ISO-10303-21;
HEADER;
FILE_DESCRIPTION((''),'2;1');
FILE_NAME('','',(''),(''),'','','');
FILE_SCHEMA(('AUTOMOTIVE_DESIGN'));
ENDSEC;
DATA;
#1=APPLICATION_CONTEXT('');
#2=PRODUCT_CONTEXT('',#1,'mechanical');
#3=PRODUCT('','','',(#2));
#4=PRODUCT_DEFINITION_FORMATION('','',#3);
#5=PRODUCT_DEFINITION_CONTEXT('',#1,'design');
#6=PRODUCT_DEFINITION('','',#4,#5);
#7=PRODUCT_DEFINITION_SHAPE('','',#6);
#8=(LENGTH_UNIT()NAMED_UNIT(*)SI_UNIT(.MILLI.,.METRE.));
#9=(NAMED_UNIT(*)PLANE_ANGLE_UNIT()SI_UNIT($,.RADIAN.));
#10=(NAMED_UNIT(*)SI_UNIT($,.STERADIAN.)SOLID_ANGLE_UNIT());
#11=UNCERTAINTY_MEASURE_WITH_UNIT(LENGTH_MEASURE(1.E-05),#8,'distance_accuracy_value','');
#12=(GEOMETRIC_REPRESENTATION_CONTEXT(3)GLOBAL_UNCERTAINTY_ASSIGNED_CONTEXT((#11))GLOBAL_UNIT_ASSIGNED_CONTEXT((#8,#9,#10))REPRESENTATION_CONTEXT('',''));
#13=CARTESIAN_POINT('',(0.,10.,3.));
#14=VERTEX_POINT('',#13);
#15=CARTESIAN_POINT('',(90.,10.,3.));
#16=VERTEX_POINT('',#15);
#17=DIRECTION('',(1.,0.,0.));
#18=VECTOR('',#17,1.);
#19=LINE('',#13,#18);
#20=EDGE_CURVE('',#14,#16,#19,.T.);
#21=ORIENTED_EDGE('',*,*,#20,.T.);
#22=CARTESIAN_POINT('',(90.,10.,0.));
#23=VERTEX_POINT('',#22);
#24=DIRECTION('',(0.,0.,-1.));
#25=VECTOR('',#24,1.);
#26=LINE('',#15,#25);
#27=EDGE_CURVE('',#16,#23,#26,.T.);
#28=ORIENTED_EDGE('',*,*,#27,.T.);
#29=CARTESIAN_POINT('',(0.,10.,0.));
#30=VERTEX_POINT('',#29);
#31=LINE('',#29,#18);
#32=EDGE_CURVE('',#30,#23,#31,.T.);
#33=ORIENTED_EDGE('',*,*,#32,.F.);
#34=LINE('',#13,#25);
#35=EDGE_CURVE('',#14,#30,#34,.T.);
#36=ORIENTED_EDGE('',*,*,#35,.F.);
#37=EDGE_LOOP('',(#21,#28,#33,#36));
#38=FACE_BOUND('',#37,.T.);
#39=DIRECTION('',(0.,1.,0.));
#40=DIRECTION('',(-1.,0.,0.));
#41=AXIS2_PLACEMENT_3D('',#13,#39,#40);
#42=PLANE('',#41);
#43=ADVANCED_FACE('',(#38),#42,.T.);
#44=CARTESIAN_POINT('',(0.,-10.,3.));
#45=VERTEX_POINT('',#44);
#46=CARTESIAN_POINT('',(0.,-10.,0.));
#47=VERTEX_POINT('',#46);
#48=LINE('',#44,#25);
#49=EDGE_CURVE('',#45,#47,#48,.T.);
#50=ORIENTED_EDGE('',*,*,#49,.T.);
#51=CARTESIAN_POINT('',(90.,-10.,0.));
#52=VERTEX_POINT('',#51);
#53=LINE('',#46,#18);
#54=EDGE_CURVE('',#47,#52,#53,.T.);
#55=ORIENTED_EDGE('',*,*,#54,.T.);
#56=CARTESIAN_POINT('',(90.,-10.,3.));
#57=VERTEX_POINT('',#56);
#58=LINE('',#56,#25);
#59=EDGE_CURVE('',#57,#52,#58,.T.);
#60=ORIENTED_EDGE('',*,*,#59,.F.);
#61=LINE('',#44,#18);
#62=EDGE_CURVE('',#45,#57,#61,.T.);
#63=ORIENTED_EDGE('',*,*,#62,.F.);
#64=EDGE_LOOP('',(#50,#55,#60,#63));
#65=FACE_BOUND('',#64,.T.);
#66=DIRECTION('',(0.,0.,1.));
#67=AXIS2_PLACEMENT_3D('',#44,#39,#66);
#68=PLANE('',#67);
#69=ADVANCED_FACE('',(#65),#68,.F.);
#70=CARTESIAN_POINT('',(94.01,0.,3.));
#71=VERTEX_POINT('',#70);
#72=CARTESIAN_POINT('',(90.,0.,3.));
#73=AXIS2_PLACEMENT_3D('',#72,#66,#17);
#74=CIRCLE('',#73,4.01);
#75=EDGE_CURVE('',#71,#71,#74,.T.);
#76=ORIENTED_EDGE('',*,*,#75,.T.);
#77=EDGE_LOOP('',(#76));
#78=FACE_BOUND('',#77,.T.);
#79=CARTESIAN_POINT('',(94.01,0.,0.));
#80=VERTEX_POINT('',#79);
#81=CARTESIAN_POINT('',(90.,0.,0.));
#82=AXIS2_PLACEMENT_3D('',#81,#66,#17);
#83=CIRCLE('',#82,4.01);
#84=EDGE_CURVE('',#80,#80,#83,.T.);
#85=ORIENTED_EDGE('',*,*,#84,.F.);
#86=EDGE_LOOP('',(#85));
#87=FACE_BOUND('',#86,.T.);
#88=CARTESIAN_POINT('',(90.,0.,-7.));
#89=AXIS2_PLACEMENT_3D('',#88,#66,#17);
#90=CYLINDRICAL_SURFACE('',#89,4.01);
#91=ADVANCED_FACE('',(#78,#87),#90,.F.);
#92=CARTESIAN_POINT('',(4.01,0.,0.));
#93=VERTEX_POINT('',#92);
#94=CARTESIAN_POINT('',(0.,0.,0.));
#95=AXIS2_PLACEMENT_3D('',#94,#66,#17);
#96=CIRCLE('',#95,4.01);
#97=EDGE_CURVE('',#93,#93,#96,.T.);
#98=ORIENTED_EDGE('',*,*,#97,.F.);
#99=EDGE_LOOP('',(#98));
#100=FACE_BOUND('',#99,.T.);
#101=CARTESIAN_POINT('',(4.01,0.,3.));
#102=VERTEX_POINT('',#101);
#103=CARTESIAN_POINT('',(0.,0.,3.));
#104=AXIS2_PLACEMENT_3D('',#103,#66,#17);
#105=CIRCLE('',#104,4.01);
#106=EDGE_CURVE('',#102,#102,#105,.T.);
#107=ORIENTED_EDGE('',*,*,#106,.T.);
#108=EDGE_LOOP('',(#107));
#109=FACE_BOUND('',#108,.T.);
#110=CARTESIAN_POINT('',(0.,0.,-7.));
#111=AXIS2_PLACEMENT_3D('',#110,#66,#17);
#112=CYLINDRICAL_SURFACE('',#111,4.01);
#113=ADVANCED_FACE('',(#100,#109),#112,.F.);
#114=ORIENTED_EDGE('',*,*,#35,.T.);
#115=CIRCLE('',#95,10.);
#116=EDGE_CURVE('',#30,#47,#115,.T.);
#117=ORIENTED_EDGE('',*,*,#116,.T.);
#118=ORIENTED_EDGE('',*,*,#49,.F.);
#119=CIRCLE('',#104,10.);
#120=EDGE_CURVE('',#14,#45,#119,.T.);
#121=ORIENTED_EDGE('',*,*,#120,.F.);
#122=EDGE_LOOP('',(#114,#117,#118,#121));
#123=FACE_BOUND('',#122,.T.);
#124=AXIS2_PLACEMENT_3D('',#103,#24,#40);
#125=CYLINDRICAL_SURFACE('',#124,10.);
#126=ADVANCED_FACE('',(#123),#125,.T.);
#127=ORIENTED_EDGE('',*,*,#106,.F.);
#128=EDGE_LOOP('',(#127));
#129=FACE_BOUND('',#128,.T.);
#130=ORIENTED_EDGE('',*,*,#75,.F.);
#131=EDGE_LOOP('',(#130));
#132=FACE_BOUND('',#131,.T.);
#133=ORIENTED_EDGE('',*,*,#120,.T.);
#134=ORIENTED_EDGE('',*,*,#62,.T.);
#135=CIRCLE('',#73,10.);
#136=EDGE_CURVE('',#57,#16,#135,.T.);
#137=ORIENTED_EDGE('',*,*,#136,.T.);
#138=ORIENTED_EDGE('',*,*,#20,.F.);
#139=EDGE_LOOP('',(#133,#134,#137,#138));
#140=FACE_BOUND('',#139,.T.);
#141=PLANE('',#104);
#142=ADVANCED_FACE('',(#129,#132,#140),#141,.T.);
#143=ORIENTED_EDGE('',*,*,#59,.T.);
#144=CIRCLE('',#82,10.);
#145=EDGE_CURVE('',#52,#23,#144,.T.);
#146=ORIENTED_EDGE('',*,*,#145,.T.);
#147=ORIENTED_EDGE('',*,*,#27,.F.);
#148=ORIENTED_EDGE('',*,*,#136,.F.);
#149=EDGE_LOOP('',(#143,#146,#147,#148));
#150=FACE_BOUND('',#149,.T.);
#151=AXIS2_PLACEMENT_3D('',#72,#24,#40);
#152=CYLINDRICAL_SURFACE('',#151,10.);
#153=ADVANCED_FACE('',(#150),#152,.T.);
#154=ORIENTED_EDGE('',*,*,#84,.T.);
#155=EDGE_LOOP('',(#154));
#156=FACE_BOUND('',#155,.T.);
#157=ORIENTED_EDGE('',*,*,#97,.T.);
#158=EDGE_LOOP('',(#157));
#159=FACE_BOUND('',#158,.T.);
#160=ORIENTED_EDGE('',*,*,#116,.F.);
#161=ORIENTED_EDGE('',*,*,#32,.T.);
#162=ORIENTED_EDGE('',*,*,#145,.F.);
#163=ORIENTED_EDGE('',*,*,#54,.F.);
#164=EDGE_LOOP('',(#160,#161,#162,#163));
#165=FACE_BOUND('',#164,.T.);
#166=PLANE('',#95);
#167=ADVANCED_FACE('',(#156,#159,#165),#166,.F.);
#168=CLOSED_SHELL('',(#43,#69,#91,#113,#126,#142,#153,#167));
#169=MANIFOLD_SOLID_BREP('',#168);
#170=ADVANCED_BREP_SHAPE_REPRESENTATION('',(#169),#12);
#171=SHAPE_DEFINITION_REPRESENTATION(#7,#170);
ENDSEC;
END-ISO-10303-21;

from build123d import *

# Parameters (mm, degrees)
BOSS_EXTRUDE1_DEPTH = 3
SKETCH2_R           = 4.01
CUT_EXTRUDE1_DEPTH  = 10


with BuildPart() as part:
    # Sketch1 → Boss-Extrude1 (new body)
    with BuildSketch(Plane.XY):
        with BuildLine():
            Line((90, 10), (0, 10))
            ThreePointArc((0, 10), (-10, 0), (0, -10))
            Line((0, -10), (90, -10))
            ThreePointArc((90, -10), (100, 0), (90, 10))
        make_face()
    extrude(amount=BOSS_EXTRUDE1_DEPTH)

    # Sketch2 → Cut-Extrude1 (cut)
    with BuildSketch(Plane.XY.offset(3)):
        Circle(SKETCH2_R)
        with Locations((90, 0)):
            Circle(SKETCH2_R)
    extrude(amount=-CUT_EXTRUDE1_DEPTH, mode=Mode.SUBTRACT)


solid = part.part
